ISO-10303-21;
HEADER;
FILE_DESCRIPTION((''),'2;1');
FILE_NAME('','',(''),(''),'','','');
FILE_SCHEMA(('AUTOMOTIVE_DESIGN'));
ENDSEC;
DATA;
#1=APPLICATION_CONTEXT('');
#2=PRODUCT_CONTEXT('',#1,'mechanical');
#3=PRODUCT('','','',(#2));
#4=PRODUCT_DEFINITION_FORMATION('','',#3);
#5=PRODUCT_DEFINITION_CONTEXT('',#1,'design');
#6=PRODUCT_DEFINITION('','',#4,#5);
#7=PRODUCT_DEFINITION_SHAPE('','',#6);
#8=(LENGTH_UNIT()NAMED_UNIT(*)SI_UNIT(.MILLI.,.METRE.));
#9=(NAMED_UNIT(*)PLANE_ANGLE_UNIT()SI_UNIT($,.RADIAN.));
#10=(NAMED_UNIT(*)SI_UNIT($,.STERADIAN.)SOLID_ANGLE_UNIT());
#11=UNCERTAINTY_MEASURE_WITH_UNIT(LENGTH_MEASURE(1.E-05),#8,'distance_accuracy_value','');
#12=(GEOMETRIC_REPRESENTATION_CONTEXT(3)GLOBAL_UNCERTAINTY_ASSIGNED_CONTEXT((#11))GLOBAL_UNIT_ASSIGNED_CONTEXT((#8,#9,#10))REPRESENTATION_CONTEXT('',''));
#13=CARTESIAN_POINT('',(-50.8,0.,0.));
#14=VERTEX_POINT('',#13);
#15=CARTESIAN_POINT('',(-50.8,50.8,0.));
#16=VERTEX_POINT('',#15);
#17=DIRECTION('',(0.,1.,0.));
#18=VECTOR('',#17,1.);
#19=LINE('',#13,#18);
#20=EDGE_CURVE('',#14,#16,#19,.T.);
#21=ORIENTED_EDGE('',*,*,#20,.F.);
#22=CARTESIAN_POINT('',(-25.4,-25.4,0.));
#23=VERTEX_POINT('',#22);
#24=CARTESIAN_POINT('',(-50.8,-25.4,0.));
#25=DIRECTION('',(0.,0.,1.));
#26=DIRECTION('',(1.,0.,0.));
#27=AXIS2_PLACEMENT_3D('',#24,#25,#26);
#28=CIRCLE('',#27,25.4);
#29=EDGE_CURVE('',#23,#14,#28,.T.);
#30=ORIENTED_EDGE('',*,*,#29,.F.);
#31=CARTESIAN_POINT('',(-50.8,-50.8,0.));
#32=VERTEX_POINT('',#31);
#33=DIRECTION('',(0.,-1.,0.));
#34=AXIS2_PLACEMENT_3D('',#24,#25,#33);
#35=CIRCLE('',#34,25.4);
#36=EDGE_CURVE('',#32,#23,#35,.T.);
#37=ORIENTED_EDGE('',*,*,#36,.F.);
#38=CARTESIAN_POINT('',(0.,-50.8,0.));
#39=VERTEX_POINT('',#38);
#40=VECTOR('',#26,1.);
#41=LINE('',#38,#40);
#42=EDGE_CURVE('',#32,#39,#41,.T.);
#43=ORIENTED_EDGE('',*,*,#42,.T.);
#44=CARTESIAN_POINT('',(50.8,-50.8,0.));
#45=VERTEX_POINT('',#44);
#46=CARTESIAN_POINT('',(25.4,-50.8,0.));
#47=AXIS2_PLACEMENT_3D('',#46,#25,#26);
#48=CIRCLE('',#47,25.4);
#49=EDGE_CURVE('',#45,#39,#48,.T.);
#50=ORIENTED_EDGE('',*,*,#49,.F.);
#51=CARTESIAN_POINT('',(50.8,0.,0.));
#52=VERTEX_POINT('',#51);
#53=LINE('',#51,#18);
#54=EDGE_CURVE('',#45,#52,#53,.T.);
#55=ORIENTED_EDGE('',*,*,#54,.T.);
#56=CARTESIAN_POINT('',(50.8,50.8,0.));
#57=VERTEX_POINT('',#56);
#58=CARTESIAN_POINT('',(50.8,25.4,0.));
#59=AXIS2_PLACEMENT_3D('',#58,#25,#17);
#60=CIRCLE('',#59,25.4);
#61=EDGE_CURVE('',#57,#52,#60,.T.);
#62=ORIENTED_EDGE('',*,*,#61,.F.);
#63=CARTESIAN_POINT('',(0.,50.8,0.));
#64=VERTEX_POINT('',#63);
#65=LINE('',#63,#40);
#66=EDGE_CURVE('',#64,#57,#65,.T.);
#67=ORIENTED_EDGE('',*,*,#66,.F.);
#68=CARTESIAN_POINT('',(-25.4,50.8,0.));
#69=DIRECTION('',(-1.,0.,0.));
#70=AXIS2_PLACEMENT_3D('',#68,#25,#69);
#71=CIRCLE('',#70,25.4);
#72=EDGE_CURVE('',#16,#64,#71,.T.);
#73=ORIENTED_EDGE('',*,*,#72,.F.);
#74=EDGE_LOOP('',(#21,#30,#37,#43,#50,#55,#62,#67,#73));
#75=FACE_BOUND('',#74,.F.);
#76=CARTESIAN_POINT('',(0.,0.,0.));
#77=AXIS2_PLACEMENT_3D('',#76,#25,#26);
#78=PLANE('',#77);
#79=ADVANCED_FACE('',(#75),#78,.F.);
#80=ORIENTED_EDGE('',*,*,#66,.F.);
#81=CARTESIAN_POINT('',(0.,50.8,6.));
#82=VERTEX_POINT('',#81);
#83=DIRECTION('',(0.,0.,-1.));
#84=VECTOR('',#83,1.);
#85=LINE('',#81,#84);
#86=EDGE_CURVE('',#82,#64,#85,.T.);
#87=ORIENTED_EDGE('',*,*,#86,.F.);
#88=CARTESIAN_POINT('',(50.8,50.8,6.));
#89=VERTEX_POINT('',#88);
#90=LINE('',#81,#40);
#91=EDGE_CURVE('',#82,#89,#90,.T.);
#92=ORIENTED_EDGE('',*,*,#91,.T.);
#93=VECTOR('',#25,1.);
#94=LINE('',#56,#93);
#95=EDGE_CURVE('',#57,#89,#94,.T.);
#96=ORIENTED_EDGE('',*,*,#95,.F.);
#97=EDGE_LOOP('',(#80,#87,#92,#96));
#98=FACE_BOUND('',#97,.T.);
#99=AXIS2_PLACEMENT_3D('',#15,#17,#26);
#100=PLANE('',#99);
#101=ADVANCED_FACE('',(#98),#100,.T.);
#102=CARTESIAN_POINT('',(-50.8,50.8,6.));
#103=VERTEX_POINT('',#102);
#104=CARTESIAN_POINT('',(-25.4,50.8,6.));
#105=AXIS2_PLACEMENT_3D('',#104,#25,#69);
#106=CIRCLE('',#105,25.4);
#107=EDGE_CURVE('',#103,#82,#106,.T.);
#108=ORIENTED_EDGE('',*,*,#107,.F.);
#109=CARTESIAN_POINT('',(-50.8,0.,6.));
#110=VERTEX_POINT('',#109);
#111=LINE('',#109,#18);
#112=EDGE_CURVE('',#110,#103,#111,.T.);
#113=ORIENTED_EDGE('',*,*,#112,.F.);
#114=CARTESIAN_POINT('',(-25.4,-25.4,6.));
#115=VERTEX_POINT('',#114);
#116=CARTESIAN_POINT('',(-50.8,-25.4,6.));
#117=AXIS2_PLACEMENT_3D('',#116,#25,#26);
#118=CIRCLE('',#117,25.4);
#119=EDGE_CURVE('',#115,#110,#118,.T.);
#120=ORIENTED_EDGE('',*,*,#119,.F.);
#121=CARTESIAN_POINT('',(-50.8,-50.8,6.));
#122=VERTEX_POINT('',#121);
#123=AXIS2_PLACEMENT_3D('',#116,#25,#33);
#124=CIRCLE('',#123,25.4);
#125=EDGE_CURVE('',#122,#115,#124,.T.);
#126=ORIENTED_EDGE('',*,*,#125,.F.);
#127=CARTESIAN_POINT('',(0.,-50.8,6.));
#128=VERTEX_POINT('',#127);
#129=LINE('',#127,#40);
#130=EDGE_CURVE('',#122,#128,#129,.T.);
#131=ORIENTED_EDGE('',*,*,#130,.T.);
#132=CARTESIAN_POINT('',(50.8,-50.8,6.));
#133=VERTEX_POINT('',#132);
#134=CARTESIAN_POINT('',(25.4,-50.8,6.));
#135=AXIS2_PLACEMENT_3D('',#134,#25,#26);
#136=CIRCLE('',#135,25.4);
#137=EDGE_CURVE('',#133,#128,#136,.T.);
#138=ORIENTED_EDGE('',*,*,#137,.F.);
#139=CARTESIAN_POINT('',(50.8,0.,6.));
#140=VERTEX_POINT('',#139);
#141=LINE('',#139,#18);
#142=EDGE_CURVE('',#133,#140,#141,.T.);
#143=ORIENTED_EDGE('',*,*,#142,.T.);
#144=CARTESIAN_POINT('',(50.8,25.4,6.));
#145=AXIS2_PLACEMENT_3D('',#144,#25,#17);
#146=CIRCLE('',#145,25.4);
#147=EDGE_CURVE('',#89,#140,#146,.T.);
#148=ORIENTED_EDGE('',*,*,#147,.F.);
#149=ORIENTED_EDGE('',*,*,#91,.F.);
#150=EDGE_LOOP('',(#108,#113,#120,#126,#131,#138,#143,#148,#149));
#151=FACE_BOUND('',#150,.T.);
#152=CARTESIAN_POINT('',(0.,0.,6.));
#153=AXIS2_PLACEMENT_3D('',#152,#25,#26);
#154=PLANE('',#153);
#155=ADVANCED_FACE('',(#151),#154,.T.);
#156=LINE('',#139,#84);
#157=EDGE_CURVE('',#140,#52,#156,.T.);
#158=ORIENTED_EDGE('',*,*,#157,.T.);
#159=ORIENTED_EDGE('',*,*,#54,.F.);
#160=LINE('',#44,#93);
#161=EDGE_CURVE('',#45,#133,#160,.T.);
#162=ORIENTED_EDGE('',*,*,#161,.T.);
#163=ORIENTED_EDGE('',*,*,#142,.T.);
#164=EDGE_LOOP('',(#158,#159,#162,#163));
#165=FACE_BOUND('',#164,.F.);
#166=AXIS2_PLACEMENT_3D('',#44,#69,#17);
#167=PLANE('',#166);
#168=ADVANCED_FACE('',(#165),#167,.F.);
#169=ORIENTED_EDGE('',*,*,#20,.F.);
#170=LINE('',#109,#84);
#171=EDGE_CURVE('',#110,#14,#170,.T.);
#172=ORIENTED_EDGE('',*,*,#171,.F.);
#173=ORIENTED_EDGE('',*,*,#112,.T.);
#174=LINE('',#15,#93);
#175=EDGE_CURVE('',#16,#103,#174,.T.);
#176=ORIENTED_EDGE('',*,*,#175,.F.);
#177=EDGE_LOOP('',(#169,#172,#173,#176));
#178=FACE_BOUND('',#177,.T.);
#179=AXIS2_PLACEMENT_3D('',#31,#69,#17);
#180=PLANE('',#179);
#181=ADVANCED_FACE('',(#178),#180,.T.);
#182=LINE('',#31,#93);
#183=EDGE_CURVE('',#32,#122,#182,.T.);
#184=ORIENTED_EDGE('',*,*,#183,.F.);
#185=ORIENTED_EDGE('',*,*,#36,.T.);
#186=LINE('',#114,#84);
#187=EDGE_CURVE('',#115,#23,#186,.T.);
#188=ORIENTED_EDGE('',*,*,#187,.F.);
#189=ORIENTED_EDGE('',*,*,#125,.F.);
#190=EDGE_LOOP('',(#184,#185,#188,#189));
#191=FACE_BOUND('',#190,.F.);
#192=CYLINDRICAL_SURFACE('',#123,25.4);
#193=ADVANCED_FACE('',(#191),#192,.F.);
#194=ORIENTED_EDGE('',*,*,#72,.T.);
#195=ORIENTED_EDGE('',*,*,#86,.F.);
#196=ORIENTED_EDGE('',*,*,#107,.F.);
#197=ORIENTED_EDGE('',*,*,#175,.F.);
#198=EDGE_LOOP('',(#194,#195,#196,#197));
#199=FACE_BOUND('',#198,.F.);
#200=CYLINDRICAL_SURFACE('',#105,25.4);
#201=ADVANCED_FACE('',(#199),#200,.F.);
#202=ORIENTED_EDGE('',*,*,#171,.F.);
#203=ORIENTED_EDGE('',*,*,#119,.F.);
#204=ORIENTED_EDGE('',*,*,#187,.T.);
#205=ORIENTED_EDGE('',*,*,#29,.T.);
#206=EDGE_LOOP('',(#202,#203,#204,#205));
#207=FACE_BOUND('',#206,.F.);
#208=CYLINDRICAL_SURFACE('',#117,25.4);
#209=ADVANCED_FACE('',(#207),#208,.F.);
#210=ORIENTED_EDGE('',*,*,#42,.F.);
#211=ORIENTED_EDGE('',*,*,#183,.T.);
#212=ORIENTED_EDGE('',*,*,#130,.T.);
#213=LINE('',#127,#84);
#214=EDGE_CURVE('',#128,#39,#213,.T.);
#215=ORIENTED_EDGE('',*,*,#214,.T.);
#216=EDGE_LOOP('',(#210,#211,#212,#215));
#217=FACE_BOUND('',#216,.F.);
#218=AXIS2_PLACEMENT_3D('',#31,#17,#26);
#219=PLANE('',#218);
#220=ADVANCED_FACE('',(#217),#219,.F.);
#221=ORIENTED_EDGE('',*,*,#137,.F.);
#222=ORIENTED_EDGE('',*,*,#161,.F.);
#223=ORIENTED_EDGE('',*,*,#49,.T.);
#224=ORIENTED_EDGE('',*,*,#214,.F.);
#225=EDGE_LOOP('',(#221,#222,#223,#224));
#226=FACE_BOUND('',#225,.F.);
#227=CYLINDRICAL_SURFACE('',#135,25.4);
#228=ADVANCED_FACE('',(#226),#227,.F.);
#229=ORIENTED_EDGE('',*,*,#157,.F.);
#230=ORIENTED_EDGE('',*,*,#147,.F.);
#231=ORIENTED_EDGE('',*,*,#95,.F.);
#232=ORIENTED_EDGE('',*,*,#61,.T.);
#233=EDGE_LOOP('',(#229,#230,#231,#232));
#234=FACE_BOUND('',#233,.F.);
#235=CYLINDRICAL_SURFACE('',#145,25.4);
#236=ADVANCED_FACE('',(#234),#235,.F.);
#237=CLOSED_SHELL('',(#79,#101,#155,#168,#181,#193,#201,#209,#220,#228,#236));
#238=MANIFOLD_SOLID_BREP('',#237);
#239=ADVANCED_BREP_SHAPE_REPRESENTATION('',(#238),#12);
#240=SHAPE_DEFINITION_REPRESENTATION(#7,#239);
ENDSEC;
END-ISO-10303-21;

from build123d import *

# Parameters (mm, degrees)
F0_W     = 101.6
F0_H     = 101.6
F1_DEPTH = 6
F3_DEPTH = 6.35


with BuildPart() as f1:
    # F0 (on Top) → F1 (new body)
    with BuildSketch(Plane.XY):
        Rectangle(F0_W, F0_H)
    extrude(amount=F1_DEPTH)

    # F2 (on face) → F3 (cut)
    with BuildSketch(Plane.XY.offset(6)):
        with BuildLine():
            ThreePointArc((-25.4, -25.4), (-32.8394877579, -7.4394877579), (-50.8, 0))
            Line((-50.8, 0), (-50.8, -50.8))
            ThreePointArc((-50.8, -50.8), (-32.8394877579, -43.3605122421), (-25.4, -25.4))
        make_face()
        with BuildLine():
            ThreePointArc((-50.8, 50.8), (-25.4, 25.4), (0, 50.8))
            Line((0, 50.8), (-50.8, 50.8))
        make_face()
        with BuildLine():
            Line((50.8, 0), (50.8, 50.8))
            ThreePointArc((50.8, 50.8), (25.4, 25.4), (50.8, 0))
        make_face()
        with BuildLine():
            Line((0, -50.8), (50.8, -50.8))
            ThreePointArc((50.8, -50.8), (25.4, -25.4), (0, -50.8))
        make_face()
    extrude(amount=-F3_DEPTH, mode=Mode.SUBTRACT)


solid = f1.part
